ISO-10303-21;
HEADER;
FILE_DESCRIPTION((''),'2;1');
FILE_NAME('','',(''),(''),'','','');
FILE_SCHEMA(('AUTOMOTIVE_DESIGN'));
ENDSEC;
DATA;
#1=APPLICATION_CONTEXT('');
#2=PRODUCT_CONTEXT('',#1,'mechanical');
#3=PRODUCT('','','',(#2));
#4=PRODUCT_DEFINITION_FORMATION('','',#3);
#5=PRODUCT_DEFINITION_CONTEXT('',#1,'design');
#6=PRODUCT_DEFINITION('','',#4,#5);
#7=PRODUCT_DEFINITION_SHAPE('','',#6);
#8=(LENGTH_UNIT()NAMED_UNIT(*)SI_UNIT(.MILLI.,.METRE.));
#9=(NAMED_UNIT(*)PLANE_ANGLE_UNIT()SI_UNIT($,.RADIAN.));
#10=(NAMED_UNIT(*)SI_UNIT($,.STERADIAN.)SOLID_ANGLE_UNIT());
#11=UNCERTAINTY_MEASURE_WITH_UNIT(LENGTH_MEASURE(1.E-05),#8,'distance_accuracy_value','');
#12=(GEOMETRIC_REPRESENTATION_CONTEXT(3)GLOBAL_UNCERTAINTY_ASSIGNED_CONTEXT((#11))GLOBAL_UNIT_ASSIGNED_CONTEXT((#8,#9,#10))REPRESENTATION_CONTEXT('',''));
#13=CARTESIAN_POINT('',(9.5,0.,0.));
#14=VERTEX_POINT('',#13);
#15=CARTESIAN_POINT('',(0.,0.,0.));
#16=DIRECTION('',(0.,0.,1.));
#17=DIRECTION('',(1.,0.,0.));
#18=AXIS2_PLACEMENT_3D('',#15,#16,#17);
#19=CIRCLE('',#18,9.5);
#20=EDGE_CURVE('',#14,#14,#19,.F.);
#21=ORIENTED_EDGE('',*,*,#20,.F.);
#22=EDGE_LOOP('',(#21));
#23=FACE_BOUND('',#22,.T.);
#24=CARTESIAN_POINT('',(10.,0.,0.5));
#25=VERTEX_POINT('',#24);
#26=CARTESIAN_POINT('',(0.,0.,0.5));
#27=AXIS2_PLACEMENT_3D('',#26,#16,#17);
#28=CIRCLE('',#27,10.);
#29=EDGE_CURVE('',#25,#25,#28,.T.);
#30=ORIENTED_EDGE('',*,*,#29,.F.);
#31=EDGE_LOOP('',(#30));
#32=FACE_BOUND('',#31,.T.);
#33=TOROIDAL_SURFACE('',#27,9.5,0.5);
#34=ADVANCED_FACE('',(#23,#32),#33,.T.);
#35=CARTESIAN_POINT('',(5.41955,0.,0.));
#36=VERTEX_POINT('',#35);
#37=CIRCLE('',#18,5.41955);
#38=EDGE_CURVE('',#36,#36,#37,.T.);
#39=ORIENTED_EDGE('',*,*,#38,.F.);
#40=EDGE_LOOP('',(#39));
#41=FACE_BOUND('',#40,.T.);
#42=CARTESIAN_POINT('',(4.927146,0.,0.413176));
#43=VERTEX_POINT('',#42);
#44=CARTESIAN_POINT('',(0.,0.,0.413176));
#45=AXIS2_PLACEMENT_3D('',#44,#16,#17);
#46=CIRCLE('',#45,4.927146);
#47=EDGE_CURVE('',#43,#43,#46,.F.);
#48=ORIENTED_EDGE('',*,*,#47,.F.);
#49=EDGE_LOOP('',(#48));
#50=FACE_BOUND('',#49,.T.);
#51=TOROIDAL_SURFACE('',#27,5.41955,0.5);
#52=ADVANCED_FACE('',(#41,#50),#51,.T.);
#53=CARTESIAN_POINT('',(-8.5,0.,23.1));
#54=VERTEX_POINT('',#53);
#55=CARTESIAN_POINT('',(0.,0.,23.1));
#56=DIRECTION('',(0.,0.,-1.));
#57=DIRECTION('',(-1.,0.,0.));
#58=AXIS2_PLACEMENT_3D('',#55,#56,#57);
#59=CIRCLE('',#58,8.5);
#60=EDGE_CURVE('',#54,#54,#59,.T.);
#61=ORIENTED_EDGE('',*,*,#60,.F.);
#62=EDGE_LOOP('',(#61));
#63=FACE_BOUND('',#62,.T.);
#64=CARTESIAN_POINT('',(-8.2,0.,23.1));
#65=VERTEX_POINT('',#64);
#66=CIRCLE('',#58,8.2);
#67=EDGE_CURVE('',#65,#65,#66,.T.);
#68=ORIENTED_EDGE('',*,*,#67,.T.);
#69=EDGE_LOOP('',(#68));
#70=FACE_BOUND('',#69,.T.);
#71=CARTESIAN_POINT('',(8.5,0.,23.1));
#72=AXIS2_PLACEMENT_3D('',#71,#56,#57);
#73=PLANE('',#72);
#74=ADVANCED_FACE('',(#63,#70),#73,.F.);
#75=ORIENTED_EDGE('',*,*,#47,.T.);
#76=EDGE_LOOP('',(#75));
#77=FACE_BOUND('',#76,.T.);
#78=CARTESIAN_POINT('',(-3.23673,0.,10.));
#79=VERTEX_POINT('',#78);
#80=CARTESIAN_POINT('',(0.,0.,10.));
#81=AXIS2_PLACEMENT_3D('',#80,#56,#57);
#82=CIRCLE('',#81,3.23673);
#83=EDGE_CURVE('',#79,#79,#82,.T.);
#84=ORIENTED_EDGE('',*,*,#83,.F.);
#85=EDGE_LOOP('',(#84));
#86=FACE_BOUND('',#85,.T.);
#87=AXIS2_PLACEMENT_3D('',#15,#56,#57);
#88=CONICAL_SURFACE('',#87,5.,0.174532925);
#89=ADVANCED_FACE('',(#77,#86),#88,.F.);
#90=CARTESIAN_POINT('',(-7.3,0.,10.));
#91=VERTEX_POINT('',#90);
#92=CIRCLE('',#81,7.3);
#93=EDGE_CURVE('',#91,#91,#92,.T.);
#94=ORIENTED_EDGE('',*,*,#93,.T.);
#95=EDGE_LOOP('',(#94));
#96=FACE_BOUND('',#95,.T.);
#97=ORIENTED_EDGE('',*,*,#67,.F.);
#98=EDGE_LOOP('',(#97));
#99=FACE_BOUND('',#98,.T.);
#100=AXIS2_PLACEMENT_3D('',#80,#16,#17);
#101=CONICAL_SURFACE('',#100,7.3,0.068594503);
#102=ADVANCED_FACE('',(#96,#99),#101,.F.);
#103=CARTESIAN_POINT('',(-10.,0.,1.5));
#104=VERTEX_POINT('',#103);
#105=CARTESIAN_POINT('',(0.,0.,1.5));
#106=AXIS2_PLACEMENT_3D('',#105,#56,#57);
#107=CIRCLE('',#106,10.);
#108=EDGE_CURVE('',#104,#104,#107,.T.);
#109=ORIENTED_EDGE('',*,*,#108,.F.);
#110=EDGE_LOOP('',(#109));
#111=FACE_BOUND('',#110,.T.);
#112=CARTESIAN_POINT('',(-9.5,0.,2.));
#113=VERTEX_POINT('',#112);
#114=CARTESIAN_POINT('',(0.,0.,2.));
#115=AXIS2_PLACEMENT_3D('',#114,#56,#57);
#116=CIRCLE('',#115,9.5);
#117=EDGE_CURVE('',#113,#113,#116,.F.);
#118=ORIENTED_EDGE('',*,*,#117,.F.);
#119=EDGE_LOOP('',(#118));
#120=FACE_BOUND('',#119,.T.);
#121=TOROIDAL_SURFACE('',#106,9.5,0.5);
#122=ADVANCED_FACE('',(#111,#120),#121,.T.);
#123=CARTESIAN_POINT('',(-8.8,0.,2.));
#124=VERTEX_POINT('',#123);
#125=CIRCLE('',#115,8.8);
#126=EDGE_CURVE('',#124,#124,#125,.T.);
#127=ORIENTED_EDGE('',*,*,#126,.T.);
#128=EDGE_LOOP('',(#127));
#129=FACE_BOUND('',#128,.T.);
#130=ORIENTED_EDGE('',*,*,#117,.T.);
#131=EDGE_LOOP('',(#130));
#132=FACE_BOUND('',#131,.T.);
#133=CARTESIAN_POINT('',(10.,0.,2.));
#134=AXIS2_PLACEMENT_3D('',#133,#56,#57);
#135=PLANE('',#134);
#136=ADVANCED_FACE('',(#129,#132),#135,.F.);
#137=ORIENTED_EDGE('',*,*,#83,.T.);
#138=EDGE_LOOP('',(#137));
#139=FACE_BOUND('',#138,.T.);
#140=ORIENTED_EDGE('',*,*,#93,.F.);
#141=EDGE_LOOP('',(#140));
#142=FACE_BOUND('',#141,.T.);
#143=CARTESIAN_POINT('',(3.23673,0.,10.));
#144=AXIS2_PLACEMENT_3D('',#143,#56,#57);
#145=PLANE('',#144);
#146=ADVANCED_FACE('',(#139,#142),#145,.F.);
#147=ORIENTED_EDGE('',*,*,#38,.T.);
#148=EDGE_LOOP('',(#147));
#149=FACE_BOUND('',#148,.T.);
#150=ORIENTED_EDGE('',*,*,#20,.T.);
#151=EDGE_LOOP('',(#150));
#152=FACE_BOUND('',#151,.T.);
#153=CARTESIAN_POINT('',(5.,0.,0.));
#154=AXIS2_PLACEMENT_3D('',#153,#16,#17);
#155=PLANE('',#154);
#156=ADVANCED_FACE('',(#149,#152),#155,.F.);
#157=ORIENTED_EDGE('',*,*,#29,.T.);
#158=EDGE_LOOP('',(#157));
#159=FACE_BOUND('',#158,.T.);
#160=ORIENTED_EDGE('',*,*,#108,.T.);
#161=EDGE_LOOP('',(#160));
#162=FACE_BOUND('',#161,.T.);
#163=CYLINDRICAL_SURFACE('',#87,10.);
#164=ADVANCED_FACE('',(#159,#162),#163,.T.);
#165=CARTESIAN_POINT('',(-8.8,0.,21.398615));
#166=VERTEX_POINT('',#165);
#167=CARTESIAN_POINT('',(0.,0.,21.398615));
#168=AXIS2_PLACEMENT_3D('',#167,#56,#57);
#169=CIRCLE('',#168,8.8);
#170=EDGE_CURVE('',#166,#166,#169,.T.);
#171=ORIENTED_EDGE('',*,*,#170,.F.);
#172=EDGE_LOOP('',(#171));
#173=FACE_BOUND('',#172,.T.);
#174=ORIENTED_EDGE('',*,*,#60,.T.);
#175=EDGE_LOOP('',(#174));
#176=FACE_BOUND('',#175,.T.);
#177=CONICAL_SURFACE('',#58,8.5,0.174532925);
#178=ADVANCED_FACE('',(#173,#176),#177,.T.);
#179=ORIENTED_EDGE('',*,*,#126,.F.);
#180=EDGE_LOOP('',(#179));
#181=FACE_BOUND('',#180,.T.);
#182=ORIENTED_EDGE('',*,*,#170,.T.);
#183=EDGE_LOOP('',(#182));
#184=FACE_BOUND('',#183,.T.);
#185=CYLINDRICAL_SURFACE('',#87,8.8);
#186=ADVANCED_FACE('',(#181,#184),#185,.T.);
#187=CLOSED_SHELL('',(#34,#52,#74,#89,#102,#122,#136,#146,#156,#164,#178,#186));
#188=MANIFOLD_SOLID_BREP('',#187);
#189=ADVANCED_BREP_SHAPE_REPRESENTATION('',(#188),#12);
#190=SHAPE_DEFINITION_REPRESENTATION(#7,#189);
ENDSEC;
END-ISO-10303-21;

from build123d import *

# Parameters (mm, degrees)
FILLET1_R = 0.5


with BuildPart() as part:
    # Sketch1 → Revolve1 (revolve)
    with BuildSketch(Plane(origin=(0, 0, 0), x_dir=(1, 0, 0), z_dir=(0, 1, 0)), mode=Mode.PRIVATE) as revolve1_sk:
        Polygon((5, 0), (10, 0), (10, -2), (8.8, -2), (8.8, -10), (8.8, -21.398615454), (8.5, -23.1), (8.2, -23.1), (7.3, -10), (3.236730193, -10), align=None)
    revolve(revolve1_sk.sketch.rotate(Axis((0, 0, 0), (0, 0, 1)), 180), axis=Axis((0, 0, 0), (0, 0, 1)))  # turned: the seam where the file's is

    # Fillet1
    fillet1_edges = [part.edges().sort_by_distance(p)[0] for p in [
        (10, 0, 2),
        (10, 0, 0),
        (5, 0, 0),
    ]]
    fillet(fillet1_edges, radius=FILLET1_R)


solid = part.part
